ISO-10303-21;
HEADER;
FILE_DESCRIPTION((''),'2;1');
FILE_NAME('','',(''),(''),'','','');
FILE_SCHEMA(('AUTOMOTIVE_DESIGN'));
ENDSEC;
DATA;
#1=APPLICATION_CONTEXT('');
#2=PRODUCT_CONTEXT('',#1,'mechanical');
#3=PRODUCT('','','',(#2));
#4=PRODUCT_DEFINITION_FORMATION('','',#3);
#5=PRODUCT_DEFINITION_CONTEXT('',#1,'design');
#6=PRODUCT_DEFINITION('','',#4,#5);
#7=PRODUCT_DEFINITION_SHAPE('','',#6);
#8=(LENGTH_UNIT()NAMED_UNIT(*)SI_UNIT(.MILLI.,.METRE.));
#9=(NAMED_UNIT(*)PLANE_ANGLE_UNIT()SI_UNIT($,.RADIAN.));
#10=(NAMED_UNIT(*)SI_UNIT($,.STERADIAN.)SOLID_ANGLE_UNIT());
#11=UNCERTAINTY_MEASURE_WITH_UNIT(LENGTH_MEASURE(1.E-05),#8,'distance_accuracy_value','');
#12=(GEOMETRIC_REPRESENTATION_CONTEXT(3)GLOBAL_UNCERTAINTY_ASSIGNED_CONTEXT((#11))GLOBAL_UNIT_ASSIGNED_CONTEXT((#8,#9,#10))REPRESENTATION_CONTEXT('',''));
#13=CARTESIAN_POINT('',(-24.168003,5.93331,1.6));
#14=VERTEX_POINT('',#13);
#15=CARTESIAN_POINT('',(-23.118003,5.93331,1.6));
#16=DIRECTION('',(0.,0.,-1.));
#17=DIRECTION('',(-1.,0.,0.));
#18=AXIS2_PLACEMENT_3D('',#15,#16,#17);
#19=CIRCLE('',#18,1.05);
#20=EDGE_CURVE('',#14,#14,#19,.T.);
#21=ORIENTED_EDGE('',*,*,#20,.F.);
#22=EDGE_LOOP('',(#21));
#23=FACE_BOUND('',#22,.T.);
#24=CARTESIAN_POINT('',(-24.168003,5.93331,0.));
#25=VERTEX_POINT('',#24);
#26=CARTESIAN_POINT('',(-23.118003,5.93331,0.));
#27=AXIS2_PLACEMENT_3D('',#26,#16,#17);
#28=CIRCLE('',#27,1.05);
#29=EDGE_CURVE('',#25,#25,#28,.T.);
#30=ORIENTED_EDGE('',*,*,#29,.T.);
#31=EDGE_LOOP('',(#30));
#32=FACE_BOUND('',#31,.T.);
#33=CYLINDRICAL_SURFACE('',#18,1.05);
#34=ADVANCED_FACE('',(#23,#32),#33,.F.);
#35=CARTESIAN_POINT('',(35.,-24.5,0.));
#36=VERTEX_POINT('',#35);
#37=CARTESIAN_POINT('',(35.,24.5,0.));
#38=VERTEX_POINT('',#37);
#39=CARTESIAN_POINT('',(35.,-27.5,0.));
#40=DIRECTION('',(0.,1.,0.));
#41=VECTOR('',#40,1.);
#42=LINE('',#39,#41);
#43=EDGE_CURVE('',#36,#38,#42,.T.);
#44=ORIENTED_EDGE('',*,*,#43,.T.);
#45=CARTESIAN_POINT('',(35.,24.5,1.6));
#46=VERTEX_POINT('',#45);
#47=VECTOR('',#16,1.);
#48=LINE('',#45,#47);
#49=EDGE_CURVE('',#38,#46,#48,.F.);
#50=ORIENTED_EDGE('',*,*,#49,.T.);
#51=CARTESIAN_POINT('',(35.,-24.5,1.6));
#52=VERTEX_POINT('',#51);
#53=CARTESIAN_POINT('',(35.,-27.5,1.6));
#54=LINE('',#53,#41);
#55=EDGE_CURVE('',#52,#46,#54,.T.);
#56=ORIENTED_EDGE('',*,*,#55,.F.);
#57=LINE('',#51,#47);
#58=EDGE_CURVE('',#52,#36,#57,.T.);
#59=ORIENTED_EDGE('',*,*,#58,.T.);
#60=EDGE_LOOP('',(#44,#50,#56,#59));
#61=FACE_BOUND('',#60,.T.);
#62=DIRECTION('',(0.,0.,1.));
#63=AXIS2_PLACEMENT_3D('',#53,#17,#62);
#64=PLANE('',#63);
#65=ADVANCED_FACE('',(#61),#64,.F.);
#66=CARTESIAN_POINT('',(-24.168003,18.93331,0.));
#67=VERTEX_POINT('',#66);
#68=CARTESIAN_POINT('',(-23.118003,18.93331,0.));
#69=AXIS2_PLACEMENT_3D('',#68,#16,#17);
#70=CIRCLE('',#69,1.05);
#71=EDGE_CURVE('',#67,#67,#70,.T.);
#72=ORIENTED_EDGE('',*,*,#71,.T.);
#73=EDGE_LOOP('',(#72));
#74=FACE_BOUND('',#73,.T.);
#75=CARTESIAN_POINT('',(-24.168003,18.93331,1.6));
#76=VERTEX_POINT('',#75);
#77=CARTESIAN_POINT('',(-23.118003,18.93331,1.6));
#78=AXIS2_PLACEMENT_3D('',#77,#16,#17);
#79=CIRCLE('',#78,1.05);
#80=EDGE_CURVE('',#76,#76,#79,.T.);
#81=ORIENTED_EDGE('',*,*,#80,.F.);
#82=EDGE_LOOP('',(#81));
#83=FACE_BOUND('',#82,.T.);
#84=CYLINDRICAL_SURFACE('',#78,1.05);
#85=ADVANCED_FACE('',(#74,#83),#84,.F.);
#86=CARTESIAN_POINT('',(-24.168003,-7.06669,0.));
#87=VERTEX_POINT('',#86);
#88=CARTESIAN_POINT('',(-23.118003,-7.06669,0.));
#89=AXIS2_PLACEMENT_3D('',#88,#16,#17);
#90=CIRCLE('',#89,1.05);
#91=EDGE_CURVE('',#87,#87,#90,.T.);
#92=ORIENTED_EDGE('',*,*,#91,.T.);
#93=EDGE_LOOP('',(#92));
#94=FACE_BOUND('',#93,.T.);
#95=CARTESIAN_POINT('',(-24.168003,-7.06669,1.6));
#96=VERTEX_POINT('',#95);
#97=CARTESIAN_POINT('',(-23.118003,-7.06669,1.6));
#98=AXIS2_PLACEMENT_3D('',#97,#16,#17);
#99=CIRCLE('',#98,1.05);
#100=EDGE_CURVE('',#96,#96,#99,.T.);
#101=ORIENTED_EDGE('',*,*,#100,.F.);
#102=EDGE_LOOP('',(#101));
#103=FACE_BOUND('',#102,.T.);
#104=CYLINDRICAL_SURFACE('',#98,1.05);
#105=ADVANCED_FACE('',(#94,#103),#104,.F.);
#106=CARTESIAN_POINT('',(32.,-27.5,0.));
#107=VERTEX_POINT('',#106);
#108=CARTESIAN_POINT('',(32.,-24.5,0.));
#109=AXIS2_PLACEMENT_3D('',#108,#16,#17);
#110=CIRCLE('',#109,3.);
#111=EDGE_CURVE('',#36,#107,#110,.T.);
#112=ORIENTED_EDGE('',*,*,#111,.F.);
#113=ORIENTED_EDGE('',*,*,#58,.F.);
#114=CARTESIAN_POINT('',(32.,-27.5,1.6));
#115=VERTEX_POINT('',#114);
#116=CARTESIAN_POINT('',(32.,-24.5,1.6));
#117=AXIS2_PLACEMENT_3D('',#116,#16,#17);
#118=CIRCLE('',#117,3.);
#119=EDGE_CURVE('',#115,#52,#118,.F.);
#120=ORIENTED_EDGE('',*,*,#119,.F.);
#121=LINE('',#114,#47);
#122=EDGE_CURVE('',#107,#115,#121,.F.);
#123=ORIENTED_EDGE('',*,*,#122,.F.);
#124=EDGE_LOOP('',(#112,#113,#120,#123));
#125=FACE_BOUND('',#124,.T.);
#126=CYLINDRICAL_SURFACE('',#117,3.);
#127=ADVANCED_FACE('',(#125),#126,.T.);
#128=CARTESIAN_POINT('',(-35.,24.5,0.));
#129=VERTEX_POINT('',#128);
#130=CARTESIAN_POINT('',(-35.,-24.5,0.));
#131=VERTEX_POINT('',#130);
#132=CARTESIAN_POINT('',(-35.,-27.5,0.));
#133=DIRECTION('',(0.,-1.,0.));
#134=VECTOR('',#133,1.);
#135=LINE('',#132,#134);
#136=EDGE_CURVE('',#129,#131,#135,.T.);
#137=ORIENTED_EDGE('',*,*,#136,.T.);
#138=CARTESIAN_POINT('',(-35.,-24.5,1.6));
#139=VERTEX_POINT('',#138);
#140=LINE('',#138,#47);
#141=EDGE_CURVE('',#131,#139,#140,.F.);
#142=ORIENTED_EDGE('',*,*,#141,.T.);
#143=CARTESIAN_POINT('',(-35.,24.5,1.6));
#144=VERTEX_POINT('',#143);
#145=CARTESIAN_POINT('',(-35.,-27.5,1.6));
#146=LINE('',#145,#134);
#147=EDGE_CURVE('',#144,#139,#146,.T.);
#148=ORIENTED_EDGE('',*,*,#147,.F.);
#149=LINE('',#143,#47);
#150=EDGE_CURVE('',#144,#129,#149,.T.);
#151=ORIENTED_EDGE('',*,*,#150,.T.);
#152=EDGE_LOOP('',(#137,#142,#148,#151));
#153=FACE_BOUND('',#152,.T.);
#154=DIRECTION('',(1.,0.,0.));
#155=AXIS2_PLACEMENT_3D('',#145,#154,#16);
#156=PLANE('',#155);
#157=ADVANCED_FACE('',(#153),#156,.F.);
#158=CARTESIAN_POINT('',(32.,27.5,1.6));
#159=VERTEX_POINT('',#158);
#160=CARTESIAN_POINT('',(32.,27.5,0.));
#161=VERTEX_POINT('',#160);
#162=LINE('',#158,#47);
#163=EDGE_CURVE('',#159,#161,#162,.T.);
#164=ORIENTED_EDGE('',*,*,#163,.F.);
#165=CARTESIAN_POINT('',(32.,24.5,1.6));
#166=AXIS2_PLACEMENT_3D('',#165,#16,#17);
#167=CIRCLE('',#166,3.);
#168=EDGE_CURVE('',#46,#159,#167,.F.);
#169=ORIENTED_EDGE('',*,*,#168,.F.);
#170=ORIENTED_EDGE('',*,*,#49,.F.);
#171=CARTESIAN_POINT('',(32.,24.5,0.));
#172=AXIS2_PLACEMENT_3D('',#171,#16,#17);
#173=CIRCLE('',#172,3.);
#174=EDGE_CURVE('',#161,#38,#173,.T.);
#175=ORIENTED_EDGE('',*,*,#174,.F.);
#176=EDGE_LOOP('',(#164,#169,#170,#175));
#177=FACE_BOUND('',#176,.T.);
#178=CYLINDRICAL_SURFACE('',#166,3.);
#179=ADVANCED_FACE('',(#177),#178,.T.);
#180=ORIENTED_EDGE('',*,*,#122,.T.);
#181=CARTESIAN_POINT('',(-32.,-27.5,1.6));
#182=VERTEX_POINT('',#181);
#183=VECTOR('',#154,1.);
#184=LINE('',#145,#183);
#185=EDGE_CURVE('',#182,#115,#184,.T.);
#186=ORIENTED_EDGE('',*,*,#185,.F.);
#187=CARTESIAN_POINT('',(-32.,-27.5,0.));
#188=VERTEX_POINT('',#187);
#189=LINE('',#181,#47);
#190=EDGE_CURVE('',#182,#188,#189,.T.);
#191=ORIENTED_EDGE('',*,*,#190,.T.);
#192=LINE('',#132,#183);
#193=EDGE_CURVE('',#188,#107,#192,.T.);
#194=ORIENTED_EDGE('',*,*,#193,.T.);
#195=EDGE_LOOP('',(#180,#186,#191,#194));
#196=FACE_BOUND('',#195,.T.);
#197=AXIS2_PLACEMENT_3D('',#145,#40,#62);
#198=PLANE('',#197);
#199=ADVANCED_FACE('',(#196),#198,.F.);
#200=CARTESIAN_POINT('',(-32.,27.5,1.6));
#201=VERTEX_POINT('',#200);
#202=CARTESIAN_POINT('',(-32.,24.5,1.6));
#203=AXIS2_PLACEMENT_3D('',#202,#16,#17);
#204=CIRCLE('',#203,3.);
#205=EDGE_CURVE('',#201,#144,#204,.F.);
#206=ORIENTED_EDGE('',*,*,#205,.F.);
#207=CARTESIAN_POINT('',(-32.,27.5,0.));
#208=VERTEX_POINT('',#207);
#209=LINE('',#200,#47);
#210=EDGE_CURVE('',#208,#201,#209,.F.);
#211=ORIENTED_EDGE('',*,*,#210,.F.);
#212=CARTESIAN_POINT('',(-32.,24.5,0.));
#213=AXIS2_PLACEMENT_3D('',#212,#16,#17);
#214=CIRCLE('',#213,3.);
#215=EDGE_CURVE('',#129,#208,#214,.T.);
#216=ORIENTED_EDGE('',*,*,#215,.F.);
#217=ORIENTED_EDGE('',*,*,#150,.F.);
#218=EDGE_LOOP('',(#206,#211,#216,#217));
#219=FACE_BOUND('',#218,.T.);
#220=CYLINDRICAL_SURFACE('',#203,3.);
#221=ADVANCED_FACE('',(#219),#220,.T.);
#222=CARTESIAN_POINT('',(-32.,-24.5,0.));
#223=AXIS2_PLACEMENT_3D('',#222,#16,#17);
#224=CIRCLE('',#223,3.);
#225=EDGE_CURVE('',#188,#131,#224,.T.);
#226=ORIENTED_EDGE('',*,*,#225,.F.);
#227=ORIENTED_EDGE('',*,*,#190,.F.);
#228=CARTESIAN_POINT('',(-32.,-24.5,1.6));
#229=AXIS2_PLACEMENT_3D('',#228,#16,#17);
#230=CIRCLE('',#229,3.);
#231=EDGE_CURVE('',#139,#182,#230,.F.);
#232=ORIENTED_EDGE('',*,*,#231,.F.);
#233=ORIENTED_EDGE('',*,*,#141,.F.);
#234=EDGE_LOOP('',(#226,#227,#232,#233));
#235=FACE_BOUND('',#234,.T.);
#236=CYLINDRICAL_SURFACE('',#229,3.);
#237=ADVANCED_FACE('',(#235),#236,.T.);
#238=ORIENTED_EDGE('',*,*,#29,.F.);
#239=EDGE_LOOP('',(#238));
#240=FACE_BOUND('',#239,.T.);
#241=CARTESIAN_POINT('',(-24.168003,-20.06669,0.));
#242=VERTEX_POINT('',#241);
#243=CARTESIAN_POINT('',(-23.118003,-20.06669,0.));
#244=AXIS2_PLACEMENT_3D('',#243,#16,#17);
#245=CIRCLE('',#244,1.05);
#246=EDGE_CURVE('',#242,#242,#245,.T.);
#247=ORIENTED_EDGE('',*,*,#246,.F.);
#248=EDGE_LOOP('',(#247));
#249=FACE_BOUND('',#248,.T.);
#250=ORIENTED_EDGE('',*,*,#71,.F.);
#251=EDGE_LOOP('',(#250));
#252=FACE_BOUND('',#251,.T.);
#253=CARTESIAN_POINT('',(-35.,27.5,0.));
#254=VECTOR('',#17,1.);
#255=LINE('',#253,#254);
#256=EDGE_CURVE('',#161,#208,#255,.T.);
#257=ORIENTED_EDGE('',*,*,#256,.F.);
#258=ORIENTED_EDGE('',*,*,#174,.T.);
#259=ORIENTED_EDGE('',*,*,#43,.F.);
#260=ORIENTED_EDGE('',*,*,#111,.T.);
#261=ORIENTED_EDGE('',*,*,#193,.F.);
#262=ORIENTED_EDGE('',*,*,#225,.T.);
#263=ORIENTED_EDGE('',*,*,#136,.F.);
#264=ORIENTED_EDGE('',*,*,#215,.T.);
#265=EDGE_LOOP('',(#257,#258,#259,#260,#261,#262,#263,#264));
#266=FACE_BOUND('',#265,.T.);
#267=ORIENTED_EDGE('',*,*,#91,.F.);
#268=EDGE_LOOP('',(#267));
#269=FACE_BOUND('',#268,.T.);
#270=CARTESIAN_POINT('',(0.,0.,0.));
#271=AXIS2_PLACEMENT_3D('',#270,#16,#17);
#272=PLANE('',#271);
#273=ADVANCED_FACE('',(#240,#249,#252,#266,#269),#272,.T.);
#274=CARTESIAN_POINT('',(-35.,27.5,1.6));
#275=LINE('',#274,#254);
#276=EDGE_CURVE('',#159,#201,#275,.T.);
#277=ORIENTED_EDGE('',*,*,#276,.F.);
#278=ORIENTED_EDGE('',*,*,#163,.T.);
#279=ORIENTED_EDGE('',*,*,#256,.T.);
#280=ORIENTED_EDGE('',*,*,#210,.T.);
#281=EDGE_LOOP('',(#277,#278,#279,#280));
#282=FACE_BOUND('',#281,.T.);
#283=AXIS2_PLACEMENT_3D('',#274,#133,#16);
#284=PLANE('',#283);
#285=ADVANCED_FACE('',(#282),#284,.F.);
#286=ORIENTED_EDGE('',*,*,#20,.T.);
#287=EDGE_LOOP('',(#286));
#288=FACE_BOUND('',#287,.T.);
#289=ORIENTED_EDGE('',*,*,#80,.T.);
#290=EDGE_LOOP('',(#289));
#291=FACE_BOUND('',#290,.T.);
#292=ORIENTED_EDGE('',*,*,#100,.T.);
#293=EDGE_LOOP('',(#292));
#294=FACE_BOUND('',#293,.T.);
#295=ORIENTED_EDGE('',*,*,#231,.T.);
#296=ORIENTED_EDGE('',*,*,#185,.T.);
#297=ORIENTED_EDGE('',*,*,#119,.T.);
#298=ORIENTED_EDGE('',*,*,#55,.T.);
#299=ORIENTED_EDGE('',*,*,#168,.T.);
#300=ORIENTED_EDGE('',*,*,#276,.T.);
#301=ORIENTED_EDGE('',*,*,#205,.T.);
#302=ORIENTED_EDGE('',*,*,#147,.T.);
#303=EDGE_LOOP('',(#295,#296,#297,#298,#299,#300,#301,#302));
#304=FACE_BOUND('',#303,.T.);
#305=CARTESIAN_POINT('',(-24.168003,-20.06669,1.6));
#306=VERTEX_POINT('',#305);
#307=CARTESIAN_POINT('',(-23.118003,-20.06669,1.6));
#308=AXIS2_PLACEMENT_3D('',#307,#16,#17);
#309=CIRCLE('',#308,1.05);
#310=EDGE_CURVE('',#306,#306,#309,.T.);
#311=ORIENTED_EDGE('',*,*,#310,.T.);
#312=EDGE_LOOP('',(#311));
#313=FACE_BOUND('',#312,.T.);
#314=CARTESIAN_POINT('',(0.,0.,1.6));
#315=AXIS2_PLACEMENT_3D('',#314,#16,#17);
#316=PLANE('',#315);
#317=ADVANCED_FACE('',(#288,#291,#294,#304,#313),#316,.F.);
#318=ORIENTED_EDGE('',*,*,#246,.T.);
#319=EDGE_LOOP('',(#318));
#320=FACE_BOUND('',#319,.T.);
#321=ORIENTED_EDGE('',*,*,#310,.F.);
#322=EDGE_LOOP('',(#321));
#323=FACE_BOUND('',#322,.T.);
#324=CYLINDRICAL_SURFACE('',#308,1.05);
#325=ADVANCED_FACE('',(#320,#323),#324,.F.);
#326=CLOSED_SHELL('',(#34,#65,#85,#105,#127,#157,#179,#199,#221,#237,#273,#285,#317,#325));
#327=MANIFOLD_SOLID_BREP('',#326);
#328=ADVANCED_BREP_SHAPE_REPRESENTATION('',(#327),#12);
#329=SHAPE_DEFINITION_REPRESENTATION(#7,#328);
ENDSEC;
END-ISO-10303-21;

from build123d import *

# Parameters (mm, degrees)
ESQUISSE1_W        = 70
ESQUISSE1_H        = 55
BOSS_EXTRU_1_DEPTH = 1.6
CONG_1_R           = 3
SKETCH1_R          = 1.05
CUT_EXTRUDE1_DEPTH = 2.6


with BuildPart() as part:
    # Esquisse1 → Boss.-Extru.1 (new body)
    with BuildSketch(Plane.XY):
        Rectangle(ESQUISSE1_W, ESQUISSE1_H)
    extrude(amount=BOSS_EXTRU_1_DEPTH)

    # Congé1
    cong_1_edges = [part.edges().sort_by_distance(p)[0] for p in [
        (35, -27.5, 0.8),
        (-35, -27.5, 0.8),
        (-35, 27.5, 0.8),
        (35, 27.5, 0.8),
    ]]
    fillet(cong_1_edges, radius=CONG_1_R)

    # Sketch1 → Cut-Extrude1 (cut, through all)
    with BuildSketch(Plane(origin=(0, 0, 0), x_dir=(-1, 0, 0), z_dir=(0, 0, -1))):
        with Locations((23.118003478, -20.06669)):
            Circle(SKETCH1_R)
        with Locations((23.118003478, -7.06669)):
            Circle(SKETCH1_R)
        with Locations((23.118003478, 5.93331)):
            Circle(SKETCH1_R)
        with Locations((23.118003478, 18.93331)):
            Circle(SKETCH1_R)
    extrude(amount=-CUT_EXTRUDE1_DEPTH, mode=Mode.SUBTRACT)


solid = part.part
